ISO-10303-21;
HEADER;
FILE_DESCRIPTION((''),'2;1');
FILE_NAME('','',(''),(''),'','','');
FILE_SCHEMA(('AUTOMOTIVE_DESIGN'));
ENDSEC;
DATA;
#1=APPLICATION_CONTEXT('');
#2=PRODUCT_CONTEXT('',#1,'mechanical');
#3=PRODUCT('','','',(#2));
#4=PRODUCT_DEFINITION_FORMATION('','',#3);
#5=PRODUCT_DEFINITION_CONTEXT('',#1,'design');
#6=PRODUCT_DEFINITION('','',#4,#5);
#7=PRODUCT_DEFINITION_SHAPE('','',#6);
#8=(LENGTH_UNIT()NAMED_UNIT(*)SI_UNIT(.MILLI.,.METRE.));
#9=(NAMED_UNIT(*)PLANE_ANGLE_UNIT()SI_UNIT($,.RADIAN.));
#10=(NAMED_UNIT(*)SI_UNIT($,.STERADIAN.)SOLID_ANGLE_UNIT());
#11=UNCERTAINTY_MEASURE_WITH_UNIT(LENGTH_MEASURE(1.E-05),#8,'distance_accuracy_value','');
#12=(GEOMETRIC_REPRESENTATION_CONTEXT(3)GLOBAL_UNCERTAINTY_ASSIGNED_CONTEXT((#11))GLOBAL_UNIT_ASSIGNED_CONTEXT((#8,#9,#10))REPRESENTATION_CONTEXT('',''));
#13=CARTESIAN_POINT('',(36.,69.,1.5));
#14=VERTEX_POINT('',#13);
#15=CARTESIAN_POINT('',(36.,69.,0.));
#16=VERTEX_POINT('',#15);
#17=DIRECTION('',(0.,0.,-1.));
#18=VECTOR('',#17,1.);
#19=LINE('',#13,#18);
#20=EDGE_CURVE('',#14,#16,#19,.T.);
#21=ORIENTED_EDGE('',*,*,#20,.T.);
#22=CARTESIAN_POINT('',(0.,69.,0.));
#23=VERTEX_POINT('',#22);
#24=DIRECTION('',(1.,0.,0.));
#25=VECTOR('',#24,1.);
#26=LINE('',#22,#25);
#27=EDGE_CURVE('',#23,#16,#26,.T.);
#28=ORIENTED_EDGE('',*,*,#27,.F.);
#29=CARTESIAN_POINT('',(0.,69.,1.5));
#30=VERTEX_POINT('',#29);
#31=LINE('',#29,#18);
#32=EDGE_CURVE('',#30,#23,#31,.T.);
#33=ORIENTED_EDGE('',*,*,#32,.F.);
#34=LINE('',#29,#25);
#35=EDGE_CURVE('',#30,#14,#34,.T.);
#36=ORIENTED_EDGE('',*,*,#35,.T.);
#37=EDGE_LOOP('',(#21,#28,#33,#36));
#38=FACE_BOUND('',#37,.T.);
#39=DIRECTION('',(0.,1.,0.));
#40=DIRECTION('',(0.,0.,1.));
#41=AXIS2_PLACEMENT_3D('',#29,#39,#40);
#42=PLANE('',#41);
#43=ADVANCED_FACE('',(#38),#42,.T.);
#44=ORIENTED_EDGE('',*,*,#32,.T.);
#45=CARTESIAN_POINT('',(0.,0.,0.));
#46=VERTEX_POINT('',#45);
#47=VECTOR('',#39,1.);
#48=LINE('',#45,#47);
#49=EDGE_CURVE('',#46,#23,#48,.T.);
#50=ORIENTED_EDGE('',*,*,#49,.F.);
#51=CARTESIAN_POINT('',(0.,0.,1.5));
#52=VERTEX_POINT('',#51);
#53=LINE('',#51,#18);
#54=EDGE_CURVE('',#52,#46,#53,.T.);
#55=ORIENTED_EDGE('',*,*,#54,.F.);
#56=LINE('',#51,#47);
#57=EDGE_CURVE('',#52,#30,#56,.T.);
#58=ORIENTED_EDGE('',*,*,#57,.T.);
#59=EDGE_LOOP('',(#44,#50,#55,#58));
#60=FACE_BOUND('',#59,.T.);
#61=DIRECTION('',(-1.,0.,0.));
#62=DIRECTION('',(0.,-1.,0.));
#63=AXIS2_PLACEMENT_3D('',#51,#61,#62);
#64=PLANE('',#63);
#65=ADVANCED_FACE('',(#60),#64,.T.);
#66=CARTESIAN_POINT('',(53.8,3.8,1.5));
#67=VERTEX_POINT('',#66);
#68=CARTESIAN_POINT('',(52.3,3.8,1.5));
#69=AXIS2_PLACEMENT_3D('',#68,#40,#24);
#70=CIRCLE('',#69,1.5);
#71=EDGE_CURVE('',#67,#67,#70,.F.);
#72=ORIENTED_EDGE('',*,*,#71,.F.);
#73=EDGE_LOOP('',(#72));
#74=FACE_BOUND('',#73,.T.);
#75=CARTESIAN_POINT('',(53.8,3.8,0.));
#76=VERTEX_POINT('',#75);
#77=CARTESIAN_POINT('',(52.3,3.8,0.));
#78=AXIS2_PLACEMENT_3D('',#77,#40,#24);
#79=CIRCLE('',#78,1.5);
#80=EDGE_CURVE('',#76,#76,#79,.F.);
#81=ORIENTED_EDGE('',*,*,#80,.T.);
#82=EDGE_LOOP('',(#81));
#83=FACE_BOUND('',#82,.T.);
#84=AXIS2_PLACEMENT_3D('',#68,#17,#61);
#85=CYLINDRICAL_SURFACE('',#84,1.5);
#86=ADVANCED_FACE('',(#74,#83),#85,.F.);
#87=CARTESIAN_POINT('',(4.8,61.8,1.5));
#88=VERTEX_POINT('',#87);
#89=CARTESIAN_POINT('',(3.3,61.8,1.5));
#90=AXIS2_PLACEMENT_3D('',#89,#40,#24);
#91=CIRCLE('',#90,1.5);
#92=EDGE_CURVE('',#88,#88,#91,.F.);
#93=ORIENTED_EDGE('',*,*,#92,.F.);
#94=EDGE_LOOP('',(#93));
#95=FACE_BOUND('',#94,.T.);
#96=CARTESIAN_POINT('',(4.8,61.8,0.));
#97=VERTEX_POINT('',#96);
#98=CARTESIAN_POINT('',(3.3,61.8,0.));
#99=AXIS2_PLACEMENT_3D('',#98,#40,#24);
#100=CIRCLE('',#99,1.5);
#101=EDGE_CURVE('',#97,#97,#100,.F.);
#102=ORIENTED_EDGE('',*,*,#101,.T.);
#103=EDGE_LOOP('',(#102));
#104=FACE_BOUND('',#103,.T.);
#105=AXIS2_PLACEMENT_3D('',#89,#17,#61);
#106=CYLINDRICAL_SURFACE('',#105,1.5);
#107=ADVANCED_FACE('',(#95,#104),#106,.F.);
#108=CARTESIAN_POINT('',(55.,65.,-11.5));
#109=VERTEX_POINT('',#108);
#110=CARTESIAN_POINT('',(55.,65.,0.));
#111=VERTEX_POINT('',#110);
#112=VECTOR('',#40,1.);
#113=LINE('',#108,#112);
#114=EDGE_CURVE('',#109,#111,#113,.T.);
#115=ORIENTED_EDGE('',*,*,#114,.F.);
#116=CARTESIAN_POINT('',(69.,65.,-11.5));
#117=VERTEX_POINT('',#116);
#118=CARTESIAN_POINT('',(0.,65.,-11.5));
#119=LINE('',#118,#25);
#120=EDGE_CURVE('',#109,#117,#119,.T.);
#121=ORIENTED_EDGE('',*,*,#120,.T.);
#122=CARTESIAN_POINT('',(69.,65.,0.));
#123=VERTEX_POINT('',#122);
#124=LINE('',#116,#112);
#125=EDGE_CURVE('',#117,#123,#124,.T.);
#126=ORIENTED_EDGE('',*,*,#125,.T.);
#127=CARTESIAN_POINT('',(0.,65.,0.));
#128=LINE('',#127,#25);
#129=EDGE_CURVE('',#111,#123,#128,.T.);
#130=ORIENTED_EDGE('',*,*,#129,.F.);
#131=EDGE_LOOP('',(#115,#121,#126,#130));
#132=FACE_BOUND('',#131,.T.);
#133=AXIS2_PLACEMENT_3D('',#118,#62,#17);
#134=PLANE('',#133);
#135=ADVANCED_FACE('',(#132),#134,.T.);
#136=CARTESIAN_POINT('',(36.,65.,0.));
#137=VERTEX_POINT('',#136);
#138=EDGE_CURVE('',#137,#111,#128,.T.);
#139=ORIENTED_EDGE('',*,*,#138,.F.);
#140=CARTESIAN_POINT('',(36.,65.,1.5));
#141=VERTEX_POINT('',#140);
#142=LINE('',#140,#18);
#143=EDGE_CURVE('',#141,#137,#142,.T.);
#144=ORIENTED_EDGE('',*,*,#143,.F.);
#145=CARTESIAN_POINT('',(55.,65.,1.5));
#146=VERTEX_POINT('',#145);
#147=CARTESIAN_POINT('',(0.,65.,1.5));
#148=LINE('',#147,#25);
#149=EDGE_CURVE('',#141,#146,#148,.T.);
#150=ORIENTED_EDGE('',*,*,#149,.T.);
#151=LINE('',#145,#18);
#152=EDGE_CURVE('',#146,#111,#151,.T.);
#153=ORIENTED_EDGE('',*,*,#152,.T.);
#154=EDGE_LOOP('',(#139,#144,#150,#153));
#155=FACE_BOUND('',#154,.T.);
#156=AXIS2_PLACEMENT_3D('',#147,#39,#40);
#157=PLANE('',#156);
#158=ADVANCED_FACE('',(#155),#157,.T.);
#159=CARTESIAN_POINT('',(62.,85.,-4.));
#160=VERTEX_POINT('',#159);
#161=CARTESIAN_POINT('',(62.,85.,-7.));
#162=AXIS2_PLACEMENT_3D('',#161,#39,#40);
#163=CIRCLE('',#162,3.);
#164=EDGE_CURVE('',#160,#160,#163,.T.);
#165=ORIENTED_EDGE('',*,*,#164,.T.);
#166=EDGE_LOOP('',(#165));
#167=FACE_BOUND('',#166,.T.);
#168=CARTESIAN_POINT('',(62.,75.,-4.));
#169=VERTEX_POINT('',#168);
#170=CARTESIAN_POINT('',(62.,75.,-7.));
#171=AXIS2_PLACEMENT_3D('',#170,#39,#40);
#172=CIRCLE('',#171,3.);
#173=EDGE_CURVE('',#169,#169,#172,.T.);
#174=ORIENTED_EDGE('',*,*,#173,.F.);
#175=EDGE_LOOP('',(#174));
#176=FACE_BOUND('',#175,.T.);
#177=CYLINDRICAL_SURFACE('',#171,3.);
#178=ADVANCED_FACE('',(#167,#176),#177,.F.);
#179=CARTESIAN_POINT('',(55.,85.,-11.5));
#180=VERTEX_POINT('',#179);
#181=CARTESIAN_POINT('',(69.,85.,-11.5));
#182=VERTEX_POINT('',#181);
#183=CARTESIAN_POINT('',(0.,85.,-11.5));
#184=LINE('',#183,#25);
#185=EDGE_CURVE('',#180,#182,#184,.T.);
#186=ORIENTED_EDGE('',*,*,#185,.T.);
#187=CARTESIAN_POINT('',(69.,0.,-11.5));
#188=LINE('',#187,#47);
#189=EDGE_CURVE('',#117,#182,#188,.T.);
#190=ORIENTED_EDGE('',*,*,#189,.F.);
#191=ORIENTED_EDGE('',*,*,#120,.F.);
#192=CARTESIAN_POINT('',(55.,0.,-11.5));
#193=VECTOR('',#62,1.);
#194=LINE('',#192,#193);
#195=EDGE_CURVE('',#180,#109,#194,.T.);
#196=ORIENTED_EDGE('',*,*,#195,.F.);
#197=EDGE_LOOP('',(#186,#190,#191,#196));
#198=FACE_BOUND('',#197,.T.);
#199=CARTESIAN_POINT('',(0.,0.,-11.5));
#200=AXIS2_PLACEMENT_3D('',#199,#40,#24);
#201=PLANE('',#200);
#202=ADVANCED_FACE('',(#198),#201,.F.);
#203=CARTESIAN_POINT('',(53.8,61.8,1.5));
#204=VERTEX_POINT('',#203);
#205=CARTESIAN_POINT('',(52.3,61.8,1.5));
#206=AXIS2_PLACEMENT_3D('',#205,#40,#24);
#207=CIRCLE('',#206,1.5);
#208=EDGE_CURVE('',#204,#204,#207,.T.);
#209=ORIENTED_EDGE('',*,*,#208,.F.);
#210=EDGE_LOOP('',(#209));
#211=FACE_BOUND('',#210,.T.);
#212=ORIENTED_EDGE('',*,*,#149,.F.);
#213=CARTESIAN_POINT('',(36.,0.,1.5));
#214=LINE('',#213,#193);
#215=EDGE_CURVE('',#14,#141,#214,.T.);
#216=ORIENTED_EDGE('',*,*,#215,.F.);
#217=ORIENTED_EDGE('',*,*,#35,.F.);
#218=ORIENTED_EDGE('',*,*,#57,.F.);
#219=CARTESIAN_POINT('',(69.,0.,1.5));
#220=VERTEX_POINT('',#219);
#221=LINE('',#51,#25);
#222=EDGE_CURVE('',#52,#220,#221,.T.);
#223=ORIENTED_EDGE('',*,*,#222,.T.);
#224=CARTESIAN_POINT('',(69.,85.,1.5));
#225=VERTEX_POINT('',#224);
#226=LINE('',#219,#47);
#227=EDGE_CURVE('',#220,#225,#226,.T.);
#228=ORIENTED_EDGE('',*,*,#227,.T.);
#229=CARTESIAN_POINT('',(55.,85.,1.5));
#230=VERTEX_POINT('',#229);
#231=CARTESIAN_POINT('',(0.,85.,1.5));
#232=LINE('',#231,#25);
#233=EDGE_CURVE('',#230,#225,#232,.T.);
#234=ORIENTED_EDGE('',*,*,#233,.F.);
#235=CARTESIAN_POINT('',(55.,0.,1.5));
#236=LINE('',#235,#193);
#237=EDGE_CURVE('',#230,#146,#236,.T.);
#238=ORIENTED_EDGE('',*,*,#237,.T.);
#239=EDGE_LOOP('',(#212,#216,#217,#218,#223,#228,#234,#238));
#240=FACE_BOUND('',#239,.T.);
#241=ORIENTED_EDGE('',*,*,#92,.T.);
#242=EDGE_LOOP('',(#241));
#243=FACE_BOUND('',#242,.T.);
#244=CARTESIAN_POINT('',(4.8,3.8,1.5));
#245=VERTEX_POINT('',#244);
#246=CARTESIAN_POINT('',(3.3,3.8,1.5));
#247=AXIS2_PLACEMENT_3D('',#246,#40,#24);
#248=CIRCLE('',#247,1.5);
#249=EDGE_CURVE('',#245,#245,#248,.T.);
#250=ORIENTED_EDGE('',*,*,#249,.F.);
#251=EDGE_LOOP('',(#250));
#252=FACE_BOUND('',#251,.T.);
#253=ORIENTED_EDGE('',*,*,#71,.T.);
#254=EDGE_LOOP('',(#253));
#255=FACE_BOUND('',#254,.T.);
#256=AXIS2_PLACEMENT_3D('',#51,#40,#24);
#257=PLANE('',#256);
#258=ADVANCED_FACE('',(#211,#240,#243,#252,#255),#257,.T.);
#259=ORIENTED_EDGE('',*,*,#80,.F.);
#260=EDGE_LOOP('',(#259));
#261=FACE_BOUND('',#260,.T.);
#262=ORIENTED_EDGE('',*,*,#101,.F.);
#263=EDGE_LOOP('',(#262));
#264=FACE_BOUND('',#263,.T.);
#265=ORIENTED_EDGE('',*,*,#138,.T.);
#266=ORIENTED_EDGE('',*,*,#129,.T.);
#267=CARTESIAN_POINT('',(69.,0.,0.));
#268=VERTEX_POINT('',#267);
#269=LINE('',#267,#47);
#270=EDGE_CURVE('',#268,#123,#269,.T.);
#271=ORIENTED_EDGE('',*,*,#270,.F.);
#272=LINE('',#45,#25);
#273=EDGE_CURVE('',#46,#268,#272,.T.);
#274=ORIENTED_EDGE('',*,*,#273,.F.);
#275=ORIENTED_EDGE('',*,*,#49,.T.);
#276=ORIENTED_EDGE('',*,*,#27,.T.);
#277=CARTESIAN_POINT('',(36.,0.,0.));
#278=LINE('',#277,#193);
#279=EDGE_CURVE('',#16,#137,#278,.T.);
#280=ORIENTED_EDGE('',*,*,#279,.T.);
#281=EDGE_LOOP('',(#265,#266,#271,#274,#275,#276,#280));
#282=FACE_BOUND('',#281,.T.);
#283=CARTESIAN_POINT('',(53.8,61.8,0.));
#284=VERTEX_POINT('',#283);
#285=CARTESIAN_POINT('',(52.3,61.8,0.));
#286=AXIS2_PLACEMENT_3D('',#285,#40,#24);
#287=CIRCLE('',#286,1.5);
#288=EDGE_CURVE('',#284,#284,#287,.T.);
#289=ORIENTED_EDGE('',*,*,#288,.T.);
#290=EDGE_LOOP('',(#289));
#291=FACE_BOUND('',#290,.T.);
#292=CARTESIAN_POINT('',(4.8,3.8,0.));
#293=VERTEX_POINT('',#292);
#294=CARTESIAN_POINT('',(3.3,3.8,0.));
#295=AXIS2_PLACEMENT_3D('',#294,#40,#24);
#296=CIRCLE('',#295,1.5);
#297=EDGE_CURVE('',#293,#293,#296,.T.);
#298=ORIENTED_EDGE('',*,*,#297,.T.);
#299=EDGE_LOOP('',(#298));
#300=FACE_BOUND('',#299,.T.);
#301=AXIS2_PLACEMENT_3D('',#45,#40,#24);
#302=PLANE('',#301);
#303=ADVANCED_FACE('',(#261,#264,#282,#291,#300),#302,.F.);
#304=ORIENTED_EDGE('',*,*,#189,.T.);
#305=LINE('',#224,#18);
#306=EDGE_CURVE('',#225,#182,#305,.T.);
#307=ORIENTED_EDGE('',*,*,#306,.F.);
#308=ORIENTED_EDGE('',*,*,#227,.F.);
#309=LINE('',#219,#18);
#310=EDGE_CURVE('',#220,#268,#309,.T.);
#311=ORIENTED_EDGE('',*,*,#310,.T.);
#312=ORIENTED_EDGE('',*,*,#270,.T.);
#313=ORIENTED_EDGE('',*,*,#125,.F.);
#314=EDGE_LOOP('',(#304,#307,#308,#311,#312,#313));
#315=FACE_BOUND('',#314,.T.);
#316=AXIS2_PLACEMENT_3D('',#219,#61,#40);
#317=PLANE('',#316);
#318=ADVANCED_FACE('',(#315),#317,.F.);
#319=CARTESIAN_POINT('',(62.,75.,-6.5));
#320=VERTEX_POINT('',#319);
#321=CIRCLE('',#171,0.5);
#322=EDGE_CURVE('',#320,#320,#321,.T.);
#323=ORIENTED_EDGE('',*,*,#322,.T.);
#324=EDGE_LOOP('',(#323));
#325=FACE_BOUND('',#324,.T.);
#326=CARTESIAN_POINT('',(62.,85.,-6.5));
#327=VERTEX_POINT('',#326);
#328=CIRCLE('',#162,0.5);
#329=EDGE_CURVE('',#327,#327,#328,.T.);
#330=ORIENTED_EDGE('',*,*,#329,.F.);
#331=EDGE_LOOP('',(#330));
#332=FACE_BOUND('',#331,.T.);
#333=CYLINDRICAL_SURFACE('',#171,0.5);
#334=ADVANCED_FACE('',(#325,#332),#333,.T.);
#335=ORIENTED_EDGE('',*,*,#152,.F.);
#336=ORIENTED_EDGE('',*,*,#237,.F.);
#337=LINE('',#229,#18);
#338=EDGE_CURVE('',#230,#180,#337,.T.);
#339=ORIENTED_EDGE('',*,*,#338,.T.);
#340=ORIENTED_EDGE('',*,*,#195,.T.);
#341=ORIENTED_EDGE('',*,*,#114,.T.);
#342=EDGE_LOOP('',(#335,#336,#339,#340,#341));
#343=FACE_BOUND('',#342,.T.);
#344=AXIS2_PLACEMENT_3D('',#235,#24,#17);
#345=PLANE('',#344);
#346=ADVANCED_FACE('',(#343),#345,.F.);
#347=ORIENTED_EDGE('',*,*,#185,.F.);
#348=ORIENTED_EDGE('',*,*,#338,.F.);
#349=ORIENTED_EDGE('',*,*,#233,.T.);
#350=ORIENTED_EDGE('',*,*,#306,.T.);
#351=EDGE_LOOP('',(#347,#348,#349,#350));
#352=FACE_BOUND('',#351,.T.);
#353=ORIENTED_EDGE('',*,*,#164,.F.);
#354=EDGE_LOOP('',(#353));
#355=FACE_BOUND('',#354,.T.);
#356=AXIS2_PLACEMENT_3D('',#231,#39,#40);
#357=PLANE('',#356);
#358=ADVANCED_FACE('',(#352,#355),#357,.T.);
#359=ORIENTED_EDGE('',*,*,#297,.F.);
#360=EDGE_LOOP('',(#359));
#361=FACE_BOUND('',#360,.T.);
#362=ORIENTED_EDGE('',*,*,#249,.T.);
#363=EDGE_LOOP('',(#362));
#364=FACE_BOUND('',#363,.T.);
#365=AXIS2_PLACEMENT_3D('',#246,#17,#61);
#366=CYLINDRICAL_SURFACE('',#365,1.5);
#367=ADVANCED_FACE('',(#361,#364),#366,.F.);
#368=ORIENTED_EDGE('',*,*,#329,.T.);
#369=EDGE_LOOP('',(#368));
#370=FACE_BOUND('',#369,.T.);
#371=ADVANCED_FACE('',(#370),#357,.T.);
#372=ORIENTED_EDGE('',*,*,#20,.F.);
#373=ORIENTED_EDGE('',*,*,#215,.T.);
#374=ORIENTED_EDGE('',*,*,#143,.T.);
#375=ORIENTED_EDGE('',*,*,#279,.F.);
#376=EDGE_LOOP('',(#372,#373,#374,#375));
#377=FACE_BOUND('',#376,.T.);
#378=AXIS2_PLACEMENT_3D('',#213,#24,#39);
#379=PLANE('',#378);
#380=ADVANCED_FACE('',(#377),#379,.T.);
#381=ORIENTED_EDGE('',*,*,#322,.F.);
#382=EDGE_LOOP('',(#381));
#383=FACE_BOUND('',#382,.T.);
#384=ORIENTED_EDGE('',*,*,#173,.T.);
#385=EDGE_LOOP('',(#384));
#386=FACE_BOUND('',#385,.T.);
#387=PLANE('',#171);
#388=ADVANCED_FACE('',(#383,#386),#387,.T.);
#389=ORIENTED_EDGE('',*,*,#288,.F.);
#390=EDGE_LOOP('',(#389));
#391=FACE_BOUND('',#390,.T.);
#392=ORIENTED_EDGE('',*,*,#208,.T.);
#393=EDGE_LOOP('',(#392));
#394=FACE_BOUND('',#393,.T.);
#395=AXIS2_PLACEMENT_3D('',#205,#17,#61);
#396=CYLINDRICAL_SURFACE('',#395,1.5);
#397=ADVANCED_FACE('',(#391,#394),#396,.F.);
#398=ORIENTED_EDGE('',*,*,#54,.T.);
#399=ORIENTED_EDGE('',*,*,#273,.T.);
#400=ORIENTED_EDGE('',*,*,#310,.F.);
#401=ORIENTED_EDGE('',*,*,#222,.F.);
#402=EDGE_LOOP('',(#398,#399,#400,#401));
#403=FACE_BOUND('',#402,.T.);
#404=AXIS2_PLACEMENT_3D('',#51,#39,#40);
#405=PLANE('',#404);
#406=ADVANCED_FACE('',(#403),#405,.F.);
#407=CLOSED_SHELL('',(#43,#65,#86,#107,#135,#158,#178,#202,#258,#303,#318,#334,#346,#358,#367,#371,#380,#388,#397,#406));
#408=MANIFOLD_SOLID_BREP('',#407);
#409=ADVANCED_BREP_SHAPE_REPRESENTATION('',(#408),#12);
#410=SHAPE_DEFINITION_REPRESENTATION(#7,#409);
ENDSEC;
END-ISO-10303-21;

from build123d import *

# Parameters (mm, degrees)
SKETCH1_R           = 1.5
BOSS_EXTRUDE1_DEPTH = 1.5
SKETCH1_3_W         = 14
SKETCH1_3_H         = 20
BOSS_EXTRUDE2_DEPTH = 11.5
SKETCH2_R           = 3
SKETCH2_R_2         = 0.5
CUT_EXTRUDE1_DEPTH  = 10


with BuildPart() as part:
    # Sketch1 → Boss-Extrude1 (new body)
    with BuildSketch(Plane.XY):
        Polygon((55, 85), (55, 65), (36, 65), (36, 69), (0, 69), (0, 0), (69, 0), (69, 85), align=None)
        with Locations((52.3, 61.8)):
            Circle(SKETCH1_R, mode=Mode.SUBTRACT)
        with Locations((3.3, 3.8)):
            Circle(SKETCH1_R, mode=Mode.SUBTRACT)
        with Locations((52.3, 3.8)):
            Circle(SKETCH1_R, mode=Mode.SUBTRACT)
        with Locations((3.3, 61.8)):
            Circle(SKETCH1_R, mode=Mode.SUBTRACT)
    extrude(amount=BOSS_EXTRUDE1_DEPTH)

    # Sketch1_3 → Boss-Extrude2 (add)
    with BuildSketch(Plane.XY):
        with Locations((62, 75)):
            Rectangle(SKETCH1_3_W, SKETCH1_3_H)
    extrude(amount=-BOSS_EXTRUDE2_DEPTH)

    # Sketch2 → Cut-Extrude1 (cut)
    with BuildSketch(Plane(origin=(0, 85, 0), x_dir=(1, 0, 0), z_dir=(0, 1, 0))):
        with Locations(Location((62, 7, 0), (0, 0, 270))):  # turned: the seam where the file's is
            Circle(SKETCH2_R)
        with Locations(Location((62, 7, 0), (0, 0, 270))):  # turned: the seam where the file's is
            Circle(SKETCH2_R_2, mode=Mode.SUBTRACT)
    extrude(amount=-CUT_EXTRUDE1_DEPTH, mode=Mode.SUBTRACT)


solid = part.part
